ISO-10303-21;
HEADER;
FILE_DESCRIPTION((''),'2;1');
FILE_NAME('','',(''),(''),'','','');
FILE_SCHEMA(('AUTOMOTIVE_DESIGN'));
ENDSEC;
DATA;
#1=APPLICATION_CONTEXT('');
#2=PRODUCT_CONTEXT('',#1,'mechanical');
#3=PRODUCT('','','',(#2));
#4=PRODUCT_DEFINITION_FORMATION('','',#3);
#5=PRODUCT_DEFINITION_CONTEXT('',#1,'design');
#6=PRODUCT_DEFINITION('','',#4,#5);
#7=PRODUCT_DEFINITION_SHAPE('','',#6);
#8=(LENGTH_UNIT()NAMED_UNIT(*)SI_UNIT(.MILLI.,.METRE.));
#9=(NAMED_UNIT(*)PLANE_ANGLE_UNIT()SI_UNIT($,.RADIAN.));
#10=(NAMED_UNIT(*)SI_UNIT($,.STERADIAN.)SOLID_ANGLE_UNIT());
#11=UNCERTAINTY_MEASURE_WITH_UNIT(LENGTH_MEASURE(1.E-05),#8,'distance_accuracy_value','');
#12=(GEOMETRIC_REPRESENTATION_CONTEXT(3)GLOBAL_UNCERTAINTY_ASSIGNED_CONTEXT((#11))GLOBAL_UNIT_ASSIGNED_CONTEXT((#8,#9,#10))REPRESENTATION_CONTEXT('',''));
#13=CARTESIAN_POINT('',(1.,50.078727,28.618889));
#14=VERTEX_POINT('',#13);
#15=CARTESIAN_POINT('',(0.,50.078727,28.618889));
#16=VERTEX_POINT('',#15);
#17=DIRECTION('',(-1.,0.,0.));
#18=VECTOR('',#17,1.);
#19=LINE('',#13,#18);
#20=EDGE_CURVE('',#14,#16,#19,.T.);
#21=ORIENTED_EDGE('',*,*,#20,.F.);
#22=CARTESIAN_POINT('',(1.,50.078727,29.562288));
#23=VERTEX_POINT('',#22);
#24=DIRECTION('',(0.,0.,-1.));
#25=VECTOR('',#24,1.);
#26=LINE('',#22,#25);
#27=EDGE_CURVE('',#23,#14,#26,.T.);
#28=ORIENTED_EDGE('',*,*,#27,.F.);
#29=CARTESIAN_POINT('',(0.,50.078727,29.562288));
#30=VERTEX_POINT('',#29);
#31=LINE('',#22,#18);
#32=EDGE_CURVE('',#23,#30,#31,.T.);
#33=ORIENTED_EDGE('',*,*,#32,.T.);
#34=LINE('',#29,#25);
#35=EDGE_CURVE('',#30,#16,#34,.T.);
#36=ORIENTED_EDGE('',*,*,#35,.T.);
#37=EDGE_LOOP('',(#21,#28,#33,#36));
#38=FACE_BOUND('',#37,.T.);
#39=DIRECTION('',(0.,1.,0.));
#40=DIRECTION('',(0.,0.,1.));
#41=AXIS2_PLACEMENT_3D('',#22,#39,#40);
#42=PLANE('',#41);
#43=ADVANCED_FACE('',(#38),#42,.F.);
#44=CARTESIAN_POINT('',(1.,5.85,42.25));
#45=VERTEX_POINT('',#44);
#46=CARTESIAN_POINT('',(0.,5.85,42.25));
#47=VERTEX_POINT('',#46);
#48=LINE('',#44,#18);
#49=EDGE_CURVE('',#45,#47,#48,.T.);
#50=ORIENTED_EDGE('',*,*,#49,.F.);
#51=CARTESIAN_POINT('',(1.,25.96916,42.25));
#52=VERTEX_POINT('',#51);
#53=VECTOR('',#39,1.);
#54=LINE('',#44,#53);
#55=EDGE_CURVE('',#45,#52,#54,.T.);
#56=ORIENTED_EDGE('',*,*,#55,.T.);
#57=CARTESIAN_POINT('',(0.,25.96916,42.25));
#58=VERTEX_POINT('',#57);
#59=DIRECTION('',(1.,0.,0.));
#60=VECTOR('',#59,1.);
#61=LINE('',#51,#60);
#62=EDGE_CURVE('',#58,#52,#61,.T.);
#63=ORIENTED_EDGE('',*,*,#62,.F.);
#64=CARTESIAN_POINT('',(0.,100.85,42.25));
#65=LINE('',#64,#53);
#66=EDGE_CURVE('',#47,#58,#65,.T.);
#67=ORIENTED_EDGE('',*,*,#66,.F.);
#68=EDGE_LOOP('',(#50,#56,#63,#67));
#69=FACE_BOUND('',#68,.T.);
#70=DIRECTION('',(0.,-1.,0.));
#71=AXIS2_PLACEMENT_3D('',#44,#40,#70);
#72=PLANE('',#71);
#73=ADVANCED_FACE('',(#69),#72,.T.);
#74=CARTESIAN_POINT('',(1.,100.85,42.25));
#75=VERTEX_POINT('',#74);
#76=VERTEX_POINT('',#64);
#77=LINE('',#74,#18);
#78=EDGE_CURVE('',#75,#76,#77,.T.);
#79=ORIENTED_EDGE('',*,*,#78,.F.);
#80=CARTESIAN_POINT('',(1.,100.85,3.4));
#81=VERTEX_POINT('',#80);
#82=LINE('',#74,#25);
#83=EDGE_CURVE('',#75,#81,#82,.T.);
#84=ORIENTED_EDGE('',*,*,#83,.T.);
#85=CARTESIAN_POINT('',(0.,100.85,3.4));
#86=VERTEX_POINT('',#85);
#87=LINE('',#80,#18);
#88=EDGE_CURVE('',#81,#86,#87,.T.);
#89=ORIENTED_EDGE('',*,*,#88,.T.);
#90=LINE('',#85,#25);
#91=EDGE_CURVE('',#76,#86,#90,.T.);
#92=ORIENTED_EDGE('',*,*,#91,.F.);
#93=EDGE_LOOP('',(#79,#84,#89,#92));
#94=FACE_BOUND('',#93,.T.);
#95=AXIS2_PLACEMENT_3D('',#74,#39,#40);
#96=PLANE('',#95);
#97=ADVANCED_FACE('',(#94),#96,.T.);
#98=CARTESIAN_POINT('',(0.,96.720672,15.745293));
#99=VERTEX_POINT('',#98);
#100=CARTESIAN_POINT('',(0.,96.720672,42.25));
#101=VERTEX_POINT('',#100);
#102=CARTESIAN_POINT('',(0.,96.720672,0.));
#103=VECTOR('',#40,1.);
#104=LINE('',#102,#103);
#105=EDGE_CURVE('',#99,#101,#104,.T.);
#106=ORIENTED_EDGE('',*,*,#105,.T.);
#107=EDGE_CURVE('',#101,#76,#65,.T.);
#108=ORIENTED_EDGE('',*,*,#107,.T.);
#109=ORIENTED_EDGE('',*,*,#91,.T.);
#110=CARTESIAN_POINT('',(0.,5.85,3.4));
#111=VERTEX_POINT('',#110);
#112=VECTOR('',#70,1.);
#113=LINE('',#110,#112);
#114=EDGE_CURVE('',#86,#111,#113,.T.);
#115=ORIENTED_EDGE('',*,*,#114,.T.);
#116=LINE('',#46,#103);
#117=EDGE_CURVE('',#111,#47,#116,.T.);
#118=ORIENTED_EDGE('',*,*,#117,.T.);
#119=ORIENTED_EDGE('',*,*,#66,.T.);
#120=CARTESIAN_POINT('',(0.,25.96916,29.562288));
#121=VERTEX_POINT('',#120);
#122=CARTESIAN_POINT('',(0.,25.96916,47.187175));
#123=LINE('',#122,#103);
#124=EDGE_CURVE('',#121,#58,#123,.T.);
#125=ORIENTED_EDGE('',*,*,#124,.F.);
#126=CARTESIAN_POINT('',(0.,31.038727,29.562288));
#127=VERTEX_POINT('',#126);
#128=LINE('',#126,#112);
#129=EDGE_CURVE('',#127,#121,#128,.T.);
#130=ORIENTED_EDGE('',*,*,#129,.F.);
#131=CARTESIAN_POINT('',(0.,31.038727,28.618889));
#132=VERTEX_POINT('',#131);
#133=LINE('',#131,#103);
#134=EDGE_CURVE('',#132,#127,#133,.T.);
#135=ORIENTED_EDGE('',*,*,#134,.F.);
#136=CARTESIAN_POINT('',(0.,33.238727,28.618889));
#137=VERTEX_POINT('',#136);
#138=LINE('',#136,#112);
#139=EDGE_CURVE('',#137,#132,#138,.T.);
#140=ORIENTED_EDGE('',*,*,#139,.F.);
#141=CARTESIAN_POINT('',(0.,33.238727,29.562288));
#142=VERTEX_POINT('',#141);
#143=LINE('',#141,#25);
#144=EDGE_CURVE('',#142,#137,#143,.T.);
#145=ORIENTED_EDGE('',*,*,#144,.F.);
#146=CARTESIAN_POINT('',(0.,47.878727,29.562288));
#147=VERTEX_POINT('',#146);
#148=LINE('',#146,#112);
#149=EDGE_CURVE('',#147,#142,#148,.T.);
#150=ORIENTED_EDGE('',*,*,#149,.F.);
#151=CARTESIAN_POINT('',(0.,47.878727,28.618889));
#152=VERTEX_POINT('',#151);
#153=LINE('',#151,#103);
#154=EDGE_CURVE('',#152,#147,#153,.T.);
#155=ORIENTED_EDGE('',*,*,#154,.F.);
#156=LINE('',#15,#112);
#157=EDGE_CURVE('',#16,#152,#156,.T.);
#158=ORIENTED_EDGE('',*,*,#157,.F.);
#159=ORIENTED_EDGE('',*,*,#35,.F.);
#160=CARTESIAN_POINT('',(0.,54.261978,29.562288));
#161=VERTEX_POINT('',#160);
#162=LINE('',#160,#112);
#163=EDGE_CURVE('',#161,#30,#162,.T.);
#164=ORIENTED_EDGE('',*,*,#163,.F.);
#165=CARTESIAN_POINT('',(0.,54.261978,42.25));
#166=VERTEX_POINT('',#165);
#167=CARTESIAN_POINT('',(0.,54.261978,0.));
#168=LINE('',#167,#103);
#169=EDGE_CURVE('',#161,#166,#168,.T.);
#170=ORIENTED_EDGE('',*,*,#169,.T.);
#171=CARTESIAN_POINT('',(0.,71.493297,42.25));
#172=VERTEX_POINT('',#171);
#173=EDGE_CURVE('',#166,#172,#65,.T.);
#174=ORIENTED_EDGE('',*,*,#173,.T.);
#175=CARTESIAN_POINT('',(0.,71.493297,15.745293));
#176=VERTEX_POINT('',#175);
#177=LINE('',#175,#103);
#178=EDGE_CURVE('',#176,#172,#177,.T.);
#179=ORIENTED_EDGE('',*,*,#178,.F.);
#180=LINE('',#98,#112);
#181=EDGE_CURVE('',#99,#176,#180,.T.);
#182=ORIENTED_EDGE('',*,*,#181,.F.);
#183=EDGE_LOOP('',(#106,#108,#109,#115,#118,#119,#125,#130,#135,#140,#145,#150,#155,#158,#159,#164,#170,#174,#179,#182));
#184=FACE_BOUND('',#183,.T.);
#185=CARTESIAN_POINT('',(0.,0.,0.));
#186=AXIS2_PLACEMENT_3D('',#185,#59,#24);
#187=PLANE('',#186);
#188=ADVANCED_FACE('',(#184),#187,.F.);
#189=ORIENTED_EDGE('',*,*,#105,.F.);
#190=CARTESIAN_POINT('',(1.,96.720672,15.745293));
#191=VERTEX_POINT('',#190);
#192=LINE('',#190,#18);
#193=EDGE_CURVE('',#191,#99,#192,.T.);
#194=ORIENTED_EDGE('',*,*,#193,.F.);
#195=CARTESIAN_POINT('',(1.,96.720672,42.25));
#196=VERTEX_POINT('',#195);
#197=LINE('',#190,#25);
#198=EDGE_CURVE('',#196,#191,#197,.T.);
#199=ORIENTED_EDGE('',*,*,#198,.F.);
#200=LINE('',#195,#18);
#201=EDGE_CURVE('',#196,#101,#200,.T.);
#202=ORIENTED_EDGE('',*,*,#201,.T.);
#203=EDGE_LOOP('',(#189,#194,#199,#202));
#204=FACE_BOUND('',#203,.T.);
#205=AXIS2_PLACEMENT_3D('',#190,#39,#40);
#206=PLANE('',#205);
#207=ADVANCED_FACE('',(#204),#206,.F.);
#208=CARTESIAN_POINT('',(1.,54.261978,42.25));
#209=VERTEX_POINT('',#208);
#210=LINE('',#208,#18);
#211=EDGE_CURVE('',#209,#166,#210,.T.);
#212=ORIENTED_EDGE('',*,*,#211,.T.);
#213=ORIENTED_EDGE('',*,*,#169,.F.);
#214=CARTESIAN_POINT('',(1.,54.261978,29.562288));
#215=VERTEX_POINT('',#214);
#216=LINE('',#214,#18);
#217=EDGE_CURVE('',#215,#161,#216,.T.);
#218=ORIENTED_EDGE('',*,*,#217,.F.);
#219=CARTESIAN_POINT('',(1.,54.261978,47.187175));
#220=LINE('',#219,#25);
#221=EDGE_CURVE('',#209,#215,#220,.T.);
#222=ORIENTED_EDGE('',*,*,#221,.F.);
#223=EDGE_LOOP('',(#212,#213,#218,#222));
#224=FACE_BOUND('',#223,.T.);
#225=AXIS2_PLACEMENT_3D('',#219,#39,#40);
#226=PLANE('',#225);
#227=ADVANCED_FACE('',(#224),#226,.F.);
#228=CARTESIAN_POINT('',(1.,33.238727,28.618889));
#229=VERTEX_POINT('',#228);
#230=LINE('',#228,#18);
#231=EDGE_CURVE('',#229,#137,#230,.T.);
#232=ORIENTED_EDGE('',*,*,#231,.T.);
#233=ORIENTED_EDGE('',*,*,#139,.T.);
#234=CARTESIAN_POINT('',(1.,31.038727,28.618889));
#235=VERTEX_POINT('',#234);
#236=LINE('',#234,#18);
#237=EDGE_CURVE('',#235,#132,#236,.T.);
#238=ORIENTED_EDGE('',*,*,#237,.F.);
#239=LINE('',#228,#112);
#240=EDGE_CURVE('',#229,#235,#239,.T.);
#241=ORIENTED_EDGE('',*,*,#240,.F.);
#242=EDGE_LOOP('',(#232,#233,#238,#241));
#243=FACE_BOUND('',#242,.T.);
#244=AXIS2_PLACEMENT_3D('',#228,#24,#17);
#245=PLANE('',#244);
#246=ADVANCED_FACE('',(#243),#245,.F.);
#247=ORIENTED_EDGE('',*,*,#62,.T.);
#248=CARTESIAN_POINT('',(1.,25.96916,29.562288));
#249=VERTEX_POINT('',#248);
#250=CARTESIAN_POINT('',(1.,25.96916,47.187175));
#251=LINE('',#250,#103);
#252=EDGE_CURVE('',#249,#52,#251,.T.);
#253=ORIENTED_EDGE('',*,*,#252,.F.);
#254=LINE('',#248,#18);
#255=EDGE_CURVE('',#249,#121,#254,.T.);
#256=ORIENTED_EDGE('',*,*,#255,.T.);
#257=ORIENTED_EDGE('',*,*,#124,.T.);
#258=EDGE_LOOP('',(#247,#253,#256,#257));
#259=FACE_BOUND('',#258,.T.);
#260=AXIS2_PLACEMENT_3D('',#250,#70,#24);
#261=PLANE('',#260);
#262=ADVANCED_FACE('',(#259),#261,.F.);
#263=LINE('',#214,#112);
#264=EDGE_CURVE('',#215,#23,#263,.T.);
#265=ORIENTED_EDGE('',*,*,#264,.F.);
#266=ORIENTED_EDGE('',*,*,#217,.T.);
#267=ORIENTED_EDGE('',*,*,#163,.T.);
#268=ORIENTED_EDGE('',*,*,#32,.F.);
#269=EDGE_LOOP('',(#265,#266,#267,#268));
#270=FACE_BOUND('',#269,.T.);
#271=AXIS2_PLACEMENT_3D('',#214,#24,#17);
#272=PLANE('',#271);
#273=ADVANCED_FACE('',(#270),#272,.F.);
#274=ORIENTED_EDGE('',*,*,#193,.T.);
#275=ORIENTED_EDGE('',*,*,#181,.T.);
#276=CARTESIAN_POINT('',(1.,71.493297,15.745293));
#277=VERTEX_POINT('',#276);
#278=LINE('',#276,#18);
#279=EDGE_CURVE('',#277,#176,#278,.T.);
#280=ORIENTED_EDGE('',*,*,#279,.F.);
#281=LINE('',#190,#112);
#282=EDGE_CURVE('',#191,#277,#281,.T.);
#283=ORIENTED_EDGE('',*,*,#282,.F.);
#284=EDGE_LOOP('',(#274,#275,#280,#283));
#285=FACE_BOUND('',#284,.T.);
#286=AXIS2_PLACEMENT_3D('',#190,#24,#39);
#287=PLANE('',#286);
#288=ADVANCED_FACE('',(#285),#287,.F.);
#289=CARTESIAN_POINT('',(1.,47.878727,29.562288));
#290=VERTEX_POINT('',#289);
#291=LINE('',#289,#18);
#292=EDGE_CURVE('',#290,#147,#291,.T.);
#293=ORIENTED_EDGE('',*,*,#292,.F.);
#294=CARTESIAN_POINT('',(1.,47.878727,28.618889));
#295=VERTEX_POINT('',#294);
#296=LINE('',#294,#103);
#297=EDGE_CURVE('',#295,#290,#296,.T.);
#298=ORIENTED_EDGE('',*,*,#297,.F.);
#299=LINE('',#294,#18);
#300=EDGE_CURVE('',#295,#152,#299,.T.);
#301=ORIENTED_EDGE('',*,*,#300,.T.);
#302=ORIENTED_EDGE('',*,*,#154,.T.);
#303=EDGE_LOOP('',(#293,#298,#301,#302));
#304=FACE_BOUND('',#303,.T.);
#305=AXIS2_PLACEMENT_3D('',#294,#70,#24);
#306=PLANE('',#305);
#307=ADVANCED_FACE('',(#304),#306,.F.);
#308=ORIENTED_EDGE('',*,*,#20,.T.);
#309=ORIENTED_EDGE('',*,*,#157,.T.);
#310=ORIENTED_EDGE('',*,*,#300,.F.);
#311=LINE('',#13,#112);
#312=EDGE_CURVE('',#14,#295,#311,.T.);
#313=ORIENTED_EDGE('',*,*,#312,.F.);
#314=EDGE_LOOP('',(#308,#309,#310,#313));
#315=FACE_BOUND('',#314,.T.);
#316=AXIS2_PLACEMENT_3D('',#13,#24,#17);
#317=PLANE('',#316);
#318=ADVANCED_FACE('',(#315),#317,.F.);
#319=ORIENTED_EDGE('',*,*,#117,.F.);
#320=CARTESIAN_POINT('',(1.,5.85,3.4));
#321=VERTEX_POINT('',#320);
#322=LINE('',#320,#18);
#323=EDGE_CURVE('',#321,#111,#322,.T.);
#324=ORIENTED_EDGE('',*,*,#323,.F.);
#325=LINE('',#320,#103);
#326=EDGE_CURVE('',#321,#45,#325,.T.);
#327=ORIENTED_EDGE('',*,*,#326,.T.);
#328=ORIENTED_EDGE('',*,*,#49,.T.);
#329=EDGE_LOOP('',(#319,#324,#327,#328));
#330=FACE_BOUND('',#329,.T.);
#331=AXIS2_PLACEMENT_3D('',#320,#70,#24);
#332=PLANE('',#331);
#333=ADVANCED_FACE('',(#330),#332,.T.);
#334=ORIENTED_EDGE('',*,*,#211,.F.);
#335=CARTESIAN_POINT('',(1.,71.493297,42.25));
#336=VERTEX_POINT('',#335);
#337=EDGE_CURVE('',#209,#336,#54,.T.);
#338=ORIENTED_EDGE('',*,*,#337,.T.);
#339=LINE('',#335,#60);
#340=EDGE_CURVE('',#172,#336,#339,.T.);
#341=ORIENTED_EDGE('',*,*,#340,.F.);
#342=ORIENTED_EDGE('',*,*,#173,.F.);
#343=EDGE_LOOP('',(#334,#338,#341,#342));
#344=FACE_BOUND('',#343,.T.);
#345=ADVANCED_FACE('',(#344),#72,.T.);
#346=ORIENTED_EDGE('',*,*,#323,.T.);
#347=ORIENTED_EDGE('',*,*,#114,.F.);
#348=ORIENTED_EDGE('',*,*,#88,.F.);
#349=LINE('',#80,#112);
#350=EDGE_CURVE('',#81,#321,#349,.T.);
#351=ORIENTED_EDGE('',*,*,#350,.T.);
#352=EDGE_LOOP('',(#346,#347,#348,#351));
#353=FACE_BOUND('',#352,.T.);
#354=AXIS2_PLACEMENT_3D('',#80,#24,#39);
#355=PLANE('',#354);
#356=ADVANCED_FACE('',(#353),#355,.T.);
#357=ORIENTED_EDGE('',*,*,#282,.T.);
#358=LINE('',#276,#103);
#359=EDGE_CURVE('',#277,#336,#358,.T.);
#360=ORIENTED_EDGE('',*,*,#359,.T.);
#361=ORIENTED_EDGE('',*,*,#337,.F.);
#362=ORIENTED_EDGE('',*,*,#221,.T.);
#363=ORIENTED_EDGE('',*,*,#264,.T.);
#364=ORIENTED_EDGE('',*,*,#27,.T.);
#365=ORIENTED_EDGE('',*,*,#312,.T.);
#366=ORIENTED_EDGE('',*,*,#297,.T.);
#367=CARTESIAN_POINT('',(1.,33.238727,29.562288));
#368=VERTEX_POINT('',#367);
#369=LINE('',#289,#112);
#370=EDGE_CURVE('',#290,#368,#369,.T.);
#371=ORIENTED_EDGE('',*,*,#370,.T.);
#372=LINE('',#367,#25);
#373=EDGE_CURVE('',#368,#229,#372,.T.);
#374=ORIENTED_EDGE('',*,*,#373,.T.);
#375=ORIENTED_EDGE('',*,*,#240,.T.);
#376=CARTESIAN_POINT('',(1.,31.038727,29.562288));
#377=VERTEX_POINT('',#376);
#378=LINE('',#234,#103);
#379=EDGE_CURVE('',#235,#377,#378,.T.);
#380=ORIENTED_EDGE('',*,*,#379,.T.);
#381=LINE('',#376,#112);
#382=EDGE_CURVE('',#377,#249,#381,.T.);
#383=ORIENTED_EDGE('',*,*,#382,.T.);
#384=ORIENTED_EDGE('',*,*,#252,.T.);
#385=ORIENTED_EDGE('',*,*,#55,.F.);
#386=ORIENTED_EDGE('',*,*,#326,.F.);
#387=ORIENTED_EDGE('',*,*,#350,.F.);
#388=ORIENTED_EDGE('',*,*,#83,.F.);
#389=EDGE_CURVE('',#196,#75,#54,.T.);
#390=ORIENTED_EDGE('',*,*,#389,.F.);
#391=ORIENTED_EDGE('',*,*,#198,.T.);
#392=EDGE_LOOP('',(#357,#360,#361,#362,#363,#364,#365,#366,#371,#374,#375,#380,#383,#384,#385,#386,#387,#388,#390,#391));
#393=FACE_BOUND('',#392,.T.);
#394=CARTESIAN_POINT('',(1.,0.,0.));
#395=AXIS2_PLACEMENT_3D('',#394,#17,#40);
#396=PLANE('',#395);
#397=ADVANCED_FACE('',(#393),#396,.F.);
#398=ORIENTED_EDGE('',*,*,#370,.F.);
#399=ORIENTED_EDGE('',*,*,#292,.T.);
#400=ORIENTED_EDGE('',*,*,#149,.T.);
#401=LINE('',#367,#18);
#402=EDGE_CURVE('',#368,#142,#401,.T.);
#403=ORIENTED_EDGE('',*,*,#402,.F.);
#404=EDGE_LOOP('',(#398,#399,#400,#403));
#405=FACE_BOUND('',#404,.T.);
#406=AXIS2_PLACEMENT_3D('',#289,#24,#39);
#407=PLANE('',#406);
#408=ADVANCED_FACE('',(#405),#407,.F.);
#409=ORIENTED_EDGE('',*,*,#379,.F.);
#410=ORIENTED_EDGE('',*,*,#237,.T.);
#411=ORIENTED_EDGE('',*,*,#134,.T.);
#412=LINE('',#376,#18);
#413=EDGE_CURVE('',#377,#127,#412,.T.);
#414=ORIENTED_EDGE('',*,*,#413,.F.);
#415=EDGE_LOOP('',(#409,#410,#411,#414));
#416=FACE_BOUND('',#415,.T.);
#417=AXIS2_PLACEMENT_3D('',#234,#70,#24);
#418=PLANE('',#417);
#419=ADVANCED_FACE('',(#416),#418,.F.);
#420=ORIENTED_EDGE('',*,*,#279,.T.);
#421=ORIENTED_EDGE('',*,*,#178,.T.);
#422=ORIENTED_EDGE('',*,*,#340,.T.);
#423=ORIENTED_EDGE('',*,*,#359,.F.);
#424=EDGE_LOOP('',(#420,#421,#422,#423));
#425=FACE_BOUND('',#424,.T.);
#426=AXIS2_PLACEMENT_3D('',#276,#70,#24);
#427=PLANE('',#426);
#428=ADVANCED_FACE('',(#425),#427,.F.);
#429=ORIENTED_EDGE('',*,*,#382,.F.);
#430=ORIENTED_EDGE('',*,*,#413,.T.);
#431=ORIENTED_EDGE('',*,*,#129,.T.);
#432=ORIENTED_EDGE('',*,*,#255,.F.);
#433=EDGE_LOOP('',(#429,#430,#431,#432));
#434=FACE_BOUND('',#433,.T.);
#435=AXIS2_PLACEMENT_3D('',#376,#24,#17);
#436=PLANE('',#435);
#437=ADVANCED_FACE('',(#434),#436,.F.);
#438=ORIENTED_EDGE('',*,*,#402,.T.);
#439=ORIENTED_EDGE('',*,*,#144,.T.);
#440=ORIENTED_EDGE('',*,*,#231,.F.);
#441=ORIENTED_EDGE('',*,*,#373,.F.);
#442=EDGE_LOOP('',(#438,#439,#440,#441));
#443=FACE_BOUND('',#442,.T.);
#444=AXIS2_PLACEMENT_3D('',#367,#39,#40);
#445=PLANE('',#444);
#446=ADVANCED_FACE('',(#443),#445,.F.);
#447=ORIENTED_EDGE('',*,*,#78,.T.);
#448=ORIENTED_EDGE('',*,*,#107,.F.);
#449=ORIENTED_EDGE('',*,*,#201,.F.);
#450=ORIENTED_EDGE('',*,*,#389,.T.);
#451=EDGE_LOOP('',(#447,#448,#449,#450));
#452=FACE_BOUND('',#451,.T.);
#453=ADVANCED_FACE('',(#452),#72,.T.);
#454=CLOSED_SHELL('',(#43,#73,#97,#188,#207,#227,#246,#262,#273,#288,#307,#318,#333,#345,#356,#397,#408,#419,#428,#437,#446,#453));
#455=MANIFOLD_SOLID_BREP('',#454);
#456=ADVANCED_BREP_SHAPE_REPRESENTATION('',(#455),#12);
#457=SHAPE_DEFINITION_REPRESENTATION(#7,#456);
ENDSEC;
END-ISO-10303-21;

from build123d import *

# Parameters (mm, degrees)
SKETCH_1_W          = 95
SKETCH_1_H          = 38.85
EXTRUDE_1_DEPTH     = 0.5
SKETCH_2_W          = 38.85
SKETCH_2_H          = 95
EXTRUDE_2_DEPTH     = 0.5
SKETCH_3_W          = 31.441881793
SKETCH_3_H          = 25.227375523
CUT_EXTRUDE_1_DEPTH = 110.347085009


with BuildPart() as part:
    # Эскиз1 → Бобышка-Вытянуть1 (new body)
    with BuildSketch(Plane(origin=(0.5, 0, 0), x_dir=(0, -1, 0), z_dir=(-1, 0, 0))):
        with Locations((-53.35, 22.825)):
            Rectangle(SKETCH_1_W, SKETCH_1_H)
    extrude(amount=-EXTRUDE_1_DEPTH)

    # Эскиз2 → Бобышка-Вытянуть2 (add)
    with BuildSketch(Plane.ZY.offset(-0.5)):
        with Locations((22.825, 53.35)):
            Rectangle(SKETCH_2_W, SKETCH_2_H)
    extrude(amount=EXTRUDE_2_DEPTH)

    # Эскиз3 → Вырез-Вытянуть1 (cut, through all)
    with BuildSketch(Plane.ZY):
        Polygon((47.187175015, 54.261978396), (29.562288031, 54.261978396), (29.562288031, 50.078726521), (28.618889228, 50.078726521), (28.618889228, 47.878726521), (29.562288031, 47.878726521), (29.562288031, 33.238726521), (28.618889228, 33.238726521), (28.618889228, 31.038726521), (29.562288031, 31.038726521), (29.562288031, 25.969159943), (47.187175015, 25.969159943), align=None)
        with Locations((31.466234119, 84.106984297)):
            Rectangle(SKETCH_3_W, SKETCH_3_H)
    extrude(amount=-CUT_EXTRUDE_1_DEPTH, mode=Mode.SUBTRACT)


solid = part.part
